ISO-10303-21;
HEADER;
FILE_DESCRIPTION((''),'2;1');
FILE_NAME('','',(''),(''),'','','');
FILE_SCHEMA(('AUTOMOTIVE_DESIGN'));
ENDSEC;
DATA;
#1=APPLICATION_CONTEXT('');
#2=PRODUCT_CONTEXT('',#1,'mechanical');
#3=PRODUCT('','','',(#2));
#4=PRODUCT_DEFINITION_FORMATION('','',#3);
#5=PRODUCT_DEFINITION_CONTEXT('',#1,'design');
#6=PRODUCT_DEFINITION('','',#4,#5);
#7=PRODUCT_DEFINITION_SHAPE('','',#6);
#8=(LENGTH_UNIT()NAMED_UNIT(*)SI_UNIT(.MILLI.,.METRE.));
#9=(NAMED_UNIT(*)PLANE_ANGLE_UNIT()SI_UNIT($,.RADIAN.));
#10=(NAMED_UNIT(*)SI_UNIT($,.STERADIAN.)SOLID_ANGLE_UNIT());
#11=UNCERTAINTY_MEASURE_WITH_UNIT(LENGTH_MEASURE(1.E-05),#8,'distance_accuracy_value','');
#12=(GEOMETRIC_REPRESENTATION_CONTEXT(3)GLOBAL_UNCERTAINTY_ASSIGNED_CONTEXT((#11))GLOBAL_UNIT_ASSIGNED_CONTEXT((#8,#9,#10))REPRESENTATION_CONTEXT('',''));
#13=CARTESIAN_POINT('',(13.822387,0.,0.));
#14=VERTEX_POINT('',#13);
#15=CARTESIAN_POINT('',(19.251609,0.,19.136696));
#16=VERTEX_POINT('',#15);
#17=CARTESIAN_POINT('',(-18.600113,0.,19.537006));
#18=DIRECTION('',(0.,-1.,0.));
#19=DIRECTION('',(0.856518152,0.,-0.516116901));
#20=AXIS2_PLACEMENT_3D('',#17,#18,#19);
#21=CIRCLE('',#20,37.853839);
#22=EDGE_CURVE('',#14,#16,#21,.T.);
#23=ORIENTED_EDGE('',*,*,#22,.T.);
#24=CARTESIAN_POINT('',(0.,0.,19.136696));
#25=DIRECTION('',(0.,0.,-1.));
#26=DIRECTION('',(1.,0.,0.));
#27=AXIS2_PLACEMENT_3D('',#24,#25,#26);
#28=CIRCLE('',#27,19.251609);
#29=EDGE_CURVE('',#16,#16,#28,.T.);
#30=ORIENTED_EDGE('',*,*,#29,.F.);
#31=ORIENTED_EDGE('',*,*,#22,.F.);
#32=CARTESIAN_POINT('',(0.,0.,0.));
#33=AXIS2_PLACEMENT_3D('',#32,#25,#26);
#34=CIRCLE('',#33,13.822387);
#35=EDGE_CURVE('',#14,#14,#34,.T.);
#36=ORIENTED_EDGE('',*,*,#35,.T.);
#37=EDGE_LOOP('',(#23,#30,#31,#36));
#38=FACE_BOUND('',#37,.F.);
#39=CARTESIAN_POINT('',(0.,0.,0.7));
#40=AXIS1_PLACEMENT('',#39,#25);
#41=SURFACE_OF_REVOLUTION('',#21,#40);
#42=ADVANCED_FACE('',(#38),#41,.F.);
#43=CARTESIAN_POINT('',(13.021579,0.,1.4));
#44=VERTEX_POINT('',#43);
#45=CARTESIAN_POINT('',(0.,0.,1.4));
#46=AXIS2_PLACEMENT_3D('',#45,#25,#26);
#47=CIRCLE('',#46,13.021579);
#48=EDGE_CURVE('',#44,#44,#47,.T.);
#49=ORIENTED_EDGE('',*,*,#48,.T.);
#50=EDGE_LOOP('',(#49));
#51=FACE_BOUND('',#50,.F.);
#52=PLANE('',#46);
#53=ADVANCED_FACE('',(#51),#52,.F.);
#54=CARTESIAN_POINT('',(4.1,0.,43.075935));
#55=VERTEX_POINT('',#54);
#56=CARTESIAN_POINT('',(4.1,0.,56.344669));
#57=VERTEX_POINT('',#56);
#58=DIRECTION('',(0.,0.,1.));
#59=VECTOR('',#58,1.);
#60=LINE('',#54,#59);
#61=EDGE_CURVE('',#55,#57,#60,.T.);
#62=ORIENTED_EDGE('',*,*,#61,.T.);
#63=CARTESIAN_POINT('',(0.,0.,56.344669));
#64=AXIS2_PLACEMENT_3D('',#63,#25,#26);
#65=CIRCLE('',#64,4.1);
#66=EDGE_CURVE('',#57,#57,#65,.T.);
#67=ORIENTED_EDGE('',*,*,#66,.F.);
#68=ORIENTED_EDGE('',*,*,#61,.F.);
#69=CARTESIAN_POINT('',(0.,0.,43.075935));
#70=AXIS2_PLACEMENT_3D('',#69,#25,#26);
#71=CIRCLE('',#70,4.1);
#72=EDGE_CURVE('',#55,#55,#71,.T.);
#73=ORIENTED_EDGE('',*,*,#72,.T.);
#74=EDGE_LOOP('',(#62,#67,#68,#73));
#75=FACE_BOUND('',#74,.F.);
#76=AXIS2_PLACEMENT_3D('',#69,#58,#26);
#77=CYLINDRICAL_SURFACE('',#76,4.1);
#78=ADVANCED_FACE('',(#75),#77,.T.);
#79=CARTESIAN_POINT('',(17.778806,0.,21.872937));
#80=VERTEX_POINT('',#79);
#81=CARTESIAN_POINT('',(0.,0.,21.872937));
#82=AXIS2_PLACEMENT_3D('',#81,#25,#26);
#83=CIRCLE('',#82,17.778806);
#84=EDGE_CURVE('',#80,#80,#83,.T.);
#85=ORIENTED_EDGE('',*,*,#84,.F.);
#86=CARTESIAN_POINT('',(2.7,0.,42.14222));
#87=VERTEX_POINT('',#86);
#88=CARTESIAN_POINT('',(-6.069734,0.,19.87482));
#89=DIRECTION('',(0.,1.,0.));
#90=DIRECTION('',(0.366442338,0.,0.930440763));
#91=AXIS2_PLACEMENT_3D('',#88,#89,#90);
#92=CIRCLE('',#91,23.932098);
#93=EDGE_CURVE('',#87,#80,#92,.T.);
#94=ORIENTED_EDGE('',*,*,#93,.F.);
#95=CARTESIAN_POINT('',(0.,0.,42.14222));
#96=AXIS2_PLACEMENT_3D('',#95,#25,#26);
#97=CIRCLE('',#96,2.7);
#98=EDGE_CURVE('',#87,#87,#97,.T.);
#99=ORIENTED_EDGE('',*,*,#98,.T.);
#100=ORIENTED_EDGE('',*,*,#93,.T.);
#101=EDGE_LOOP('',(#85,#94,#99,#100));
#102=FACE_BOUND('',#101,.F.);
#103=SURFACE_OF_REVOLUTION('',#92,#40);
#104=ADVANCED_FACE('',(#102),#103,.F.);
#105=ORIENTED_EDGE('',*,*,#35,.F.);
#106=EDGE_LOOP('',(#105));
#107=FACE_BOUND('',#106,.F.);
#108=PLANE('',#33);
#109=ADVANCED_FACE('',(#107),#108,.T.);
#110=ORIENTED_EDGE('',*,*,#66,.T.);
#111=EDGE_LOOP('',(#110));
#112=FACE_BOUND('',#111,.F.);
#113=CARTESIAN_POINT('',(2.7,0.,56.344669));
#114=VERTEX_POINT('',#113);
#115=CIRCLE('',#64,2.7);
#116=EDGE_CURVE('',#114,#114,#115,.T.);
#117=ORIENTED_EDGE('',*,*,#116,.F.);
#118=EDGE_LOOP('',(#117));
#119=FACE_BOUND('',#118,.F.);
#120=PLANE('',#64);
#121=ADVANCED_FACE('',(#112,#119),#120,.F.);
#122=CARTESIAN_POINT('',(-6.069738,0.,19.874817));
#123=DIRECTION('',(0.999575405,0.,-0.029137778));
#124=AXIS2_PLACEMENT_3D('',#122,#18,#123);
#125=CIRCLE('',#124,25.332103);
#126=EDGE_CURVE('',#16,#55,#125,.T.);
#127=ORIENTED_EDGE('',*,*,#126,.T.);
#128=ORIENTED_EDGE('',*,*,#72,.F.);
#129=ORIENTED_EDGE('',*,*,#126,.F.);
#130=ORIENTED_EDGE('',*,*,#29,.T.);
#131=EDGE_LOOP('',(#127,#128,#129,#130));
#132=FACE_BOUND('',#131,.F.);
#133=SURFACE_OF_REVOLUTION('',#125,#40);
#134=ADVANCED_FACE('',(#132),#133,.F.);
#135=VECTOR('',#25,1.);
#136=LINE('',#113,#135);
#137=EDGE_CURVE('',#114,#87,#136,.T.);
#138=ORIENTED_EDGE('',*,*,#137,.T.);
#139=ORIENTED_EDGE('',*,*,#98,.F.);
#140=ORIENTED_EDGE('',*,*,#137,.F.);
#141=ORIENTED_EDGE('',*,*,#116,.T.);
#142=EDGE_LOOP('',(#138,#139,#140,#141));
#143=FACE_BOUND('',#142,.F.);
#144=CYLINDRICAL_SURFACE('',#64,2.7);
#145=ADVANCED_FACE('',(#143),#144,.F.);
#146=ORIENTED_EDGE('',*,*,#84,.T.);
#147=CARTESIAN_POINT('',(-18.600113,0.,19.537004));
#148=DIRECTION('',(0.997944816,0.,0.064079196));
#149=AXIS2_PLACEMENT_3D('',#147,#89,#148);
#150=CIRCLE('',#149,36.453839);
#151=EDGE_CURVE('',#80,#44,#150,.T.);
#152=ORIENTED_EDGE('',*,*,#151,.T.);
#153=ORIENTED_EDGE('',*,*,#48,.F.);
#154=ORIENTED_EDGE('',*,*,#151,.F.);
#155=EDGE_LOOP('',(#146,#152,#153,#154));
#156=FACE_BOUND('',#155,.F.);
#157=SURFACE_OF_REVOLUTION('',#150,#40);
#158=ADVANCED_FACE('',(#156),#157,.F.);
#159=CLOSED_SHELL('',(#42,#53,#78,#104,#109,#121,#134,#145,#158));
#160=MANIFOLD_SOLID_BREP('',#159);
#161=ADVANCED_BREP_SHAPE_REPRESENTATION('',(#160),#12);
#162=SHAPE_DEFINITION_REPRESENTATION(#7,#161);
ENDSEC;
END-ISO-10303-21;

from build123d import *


with BuildPart() as f1:
    # F0 (on Front) → F1 (revolve)
    with BuildSketch(Plane.XZ):
        with BuildLine():
            Line((4.1, 43.075935), (4.1, 56.344669))
            Line((4.1, 56.344669), (2.7, 56.344669))
            Line((2.7, 56.344669), (2.7, 42.14222))
            ThreePointArc((2.7, 42.14222), (13.1318, 34.159302), (17.778806, 21.872937))
            ThreePointArc((17.778806, 21.872937), (16.907718, 11.28617), (13.021579, 1.4))
            Line((13.021579, 1.4), (0, 1.4))
            Line((0, 1.4), (0, 0))
            Line((0, 0), (13.822387, 0))
            ThreePointArc((13.822387, 0), (17.816502, 9.205343), (19.251609, 19.136696))
            ThreePointArc((19.251609, 19.136696), (15.33531, 33.422487), (4.1, 43.075935))
        make_face()
    revolve(axis=Axis((0, 0, 0.7), (0, 0, -1)))


solid = f1.part
